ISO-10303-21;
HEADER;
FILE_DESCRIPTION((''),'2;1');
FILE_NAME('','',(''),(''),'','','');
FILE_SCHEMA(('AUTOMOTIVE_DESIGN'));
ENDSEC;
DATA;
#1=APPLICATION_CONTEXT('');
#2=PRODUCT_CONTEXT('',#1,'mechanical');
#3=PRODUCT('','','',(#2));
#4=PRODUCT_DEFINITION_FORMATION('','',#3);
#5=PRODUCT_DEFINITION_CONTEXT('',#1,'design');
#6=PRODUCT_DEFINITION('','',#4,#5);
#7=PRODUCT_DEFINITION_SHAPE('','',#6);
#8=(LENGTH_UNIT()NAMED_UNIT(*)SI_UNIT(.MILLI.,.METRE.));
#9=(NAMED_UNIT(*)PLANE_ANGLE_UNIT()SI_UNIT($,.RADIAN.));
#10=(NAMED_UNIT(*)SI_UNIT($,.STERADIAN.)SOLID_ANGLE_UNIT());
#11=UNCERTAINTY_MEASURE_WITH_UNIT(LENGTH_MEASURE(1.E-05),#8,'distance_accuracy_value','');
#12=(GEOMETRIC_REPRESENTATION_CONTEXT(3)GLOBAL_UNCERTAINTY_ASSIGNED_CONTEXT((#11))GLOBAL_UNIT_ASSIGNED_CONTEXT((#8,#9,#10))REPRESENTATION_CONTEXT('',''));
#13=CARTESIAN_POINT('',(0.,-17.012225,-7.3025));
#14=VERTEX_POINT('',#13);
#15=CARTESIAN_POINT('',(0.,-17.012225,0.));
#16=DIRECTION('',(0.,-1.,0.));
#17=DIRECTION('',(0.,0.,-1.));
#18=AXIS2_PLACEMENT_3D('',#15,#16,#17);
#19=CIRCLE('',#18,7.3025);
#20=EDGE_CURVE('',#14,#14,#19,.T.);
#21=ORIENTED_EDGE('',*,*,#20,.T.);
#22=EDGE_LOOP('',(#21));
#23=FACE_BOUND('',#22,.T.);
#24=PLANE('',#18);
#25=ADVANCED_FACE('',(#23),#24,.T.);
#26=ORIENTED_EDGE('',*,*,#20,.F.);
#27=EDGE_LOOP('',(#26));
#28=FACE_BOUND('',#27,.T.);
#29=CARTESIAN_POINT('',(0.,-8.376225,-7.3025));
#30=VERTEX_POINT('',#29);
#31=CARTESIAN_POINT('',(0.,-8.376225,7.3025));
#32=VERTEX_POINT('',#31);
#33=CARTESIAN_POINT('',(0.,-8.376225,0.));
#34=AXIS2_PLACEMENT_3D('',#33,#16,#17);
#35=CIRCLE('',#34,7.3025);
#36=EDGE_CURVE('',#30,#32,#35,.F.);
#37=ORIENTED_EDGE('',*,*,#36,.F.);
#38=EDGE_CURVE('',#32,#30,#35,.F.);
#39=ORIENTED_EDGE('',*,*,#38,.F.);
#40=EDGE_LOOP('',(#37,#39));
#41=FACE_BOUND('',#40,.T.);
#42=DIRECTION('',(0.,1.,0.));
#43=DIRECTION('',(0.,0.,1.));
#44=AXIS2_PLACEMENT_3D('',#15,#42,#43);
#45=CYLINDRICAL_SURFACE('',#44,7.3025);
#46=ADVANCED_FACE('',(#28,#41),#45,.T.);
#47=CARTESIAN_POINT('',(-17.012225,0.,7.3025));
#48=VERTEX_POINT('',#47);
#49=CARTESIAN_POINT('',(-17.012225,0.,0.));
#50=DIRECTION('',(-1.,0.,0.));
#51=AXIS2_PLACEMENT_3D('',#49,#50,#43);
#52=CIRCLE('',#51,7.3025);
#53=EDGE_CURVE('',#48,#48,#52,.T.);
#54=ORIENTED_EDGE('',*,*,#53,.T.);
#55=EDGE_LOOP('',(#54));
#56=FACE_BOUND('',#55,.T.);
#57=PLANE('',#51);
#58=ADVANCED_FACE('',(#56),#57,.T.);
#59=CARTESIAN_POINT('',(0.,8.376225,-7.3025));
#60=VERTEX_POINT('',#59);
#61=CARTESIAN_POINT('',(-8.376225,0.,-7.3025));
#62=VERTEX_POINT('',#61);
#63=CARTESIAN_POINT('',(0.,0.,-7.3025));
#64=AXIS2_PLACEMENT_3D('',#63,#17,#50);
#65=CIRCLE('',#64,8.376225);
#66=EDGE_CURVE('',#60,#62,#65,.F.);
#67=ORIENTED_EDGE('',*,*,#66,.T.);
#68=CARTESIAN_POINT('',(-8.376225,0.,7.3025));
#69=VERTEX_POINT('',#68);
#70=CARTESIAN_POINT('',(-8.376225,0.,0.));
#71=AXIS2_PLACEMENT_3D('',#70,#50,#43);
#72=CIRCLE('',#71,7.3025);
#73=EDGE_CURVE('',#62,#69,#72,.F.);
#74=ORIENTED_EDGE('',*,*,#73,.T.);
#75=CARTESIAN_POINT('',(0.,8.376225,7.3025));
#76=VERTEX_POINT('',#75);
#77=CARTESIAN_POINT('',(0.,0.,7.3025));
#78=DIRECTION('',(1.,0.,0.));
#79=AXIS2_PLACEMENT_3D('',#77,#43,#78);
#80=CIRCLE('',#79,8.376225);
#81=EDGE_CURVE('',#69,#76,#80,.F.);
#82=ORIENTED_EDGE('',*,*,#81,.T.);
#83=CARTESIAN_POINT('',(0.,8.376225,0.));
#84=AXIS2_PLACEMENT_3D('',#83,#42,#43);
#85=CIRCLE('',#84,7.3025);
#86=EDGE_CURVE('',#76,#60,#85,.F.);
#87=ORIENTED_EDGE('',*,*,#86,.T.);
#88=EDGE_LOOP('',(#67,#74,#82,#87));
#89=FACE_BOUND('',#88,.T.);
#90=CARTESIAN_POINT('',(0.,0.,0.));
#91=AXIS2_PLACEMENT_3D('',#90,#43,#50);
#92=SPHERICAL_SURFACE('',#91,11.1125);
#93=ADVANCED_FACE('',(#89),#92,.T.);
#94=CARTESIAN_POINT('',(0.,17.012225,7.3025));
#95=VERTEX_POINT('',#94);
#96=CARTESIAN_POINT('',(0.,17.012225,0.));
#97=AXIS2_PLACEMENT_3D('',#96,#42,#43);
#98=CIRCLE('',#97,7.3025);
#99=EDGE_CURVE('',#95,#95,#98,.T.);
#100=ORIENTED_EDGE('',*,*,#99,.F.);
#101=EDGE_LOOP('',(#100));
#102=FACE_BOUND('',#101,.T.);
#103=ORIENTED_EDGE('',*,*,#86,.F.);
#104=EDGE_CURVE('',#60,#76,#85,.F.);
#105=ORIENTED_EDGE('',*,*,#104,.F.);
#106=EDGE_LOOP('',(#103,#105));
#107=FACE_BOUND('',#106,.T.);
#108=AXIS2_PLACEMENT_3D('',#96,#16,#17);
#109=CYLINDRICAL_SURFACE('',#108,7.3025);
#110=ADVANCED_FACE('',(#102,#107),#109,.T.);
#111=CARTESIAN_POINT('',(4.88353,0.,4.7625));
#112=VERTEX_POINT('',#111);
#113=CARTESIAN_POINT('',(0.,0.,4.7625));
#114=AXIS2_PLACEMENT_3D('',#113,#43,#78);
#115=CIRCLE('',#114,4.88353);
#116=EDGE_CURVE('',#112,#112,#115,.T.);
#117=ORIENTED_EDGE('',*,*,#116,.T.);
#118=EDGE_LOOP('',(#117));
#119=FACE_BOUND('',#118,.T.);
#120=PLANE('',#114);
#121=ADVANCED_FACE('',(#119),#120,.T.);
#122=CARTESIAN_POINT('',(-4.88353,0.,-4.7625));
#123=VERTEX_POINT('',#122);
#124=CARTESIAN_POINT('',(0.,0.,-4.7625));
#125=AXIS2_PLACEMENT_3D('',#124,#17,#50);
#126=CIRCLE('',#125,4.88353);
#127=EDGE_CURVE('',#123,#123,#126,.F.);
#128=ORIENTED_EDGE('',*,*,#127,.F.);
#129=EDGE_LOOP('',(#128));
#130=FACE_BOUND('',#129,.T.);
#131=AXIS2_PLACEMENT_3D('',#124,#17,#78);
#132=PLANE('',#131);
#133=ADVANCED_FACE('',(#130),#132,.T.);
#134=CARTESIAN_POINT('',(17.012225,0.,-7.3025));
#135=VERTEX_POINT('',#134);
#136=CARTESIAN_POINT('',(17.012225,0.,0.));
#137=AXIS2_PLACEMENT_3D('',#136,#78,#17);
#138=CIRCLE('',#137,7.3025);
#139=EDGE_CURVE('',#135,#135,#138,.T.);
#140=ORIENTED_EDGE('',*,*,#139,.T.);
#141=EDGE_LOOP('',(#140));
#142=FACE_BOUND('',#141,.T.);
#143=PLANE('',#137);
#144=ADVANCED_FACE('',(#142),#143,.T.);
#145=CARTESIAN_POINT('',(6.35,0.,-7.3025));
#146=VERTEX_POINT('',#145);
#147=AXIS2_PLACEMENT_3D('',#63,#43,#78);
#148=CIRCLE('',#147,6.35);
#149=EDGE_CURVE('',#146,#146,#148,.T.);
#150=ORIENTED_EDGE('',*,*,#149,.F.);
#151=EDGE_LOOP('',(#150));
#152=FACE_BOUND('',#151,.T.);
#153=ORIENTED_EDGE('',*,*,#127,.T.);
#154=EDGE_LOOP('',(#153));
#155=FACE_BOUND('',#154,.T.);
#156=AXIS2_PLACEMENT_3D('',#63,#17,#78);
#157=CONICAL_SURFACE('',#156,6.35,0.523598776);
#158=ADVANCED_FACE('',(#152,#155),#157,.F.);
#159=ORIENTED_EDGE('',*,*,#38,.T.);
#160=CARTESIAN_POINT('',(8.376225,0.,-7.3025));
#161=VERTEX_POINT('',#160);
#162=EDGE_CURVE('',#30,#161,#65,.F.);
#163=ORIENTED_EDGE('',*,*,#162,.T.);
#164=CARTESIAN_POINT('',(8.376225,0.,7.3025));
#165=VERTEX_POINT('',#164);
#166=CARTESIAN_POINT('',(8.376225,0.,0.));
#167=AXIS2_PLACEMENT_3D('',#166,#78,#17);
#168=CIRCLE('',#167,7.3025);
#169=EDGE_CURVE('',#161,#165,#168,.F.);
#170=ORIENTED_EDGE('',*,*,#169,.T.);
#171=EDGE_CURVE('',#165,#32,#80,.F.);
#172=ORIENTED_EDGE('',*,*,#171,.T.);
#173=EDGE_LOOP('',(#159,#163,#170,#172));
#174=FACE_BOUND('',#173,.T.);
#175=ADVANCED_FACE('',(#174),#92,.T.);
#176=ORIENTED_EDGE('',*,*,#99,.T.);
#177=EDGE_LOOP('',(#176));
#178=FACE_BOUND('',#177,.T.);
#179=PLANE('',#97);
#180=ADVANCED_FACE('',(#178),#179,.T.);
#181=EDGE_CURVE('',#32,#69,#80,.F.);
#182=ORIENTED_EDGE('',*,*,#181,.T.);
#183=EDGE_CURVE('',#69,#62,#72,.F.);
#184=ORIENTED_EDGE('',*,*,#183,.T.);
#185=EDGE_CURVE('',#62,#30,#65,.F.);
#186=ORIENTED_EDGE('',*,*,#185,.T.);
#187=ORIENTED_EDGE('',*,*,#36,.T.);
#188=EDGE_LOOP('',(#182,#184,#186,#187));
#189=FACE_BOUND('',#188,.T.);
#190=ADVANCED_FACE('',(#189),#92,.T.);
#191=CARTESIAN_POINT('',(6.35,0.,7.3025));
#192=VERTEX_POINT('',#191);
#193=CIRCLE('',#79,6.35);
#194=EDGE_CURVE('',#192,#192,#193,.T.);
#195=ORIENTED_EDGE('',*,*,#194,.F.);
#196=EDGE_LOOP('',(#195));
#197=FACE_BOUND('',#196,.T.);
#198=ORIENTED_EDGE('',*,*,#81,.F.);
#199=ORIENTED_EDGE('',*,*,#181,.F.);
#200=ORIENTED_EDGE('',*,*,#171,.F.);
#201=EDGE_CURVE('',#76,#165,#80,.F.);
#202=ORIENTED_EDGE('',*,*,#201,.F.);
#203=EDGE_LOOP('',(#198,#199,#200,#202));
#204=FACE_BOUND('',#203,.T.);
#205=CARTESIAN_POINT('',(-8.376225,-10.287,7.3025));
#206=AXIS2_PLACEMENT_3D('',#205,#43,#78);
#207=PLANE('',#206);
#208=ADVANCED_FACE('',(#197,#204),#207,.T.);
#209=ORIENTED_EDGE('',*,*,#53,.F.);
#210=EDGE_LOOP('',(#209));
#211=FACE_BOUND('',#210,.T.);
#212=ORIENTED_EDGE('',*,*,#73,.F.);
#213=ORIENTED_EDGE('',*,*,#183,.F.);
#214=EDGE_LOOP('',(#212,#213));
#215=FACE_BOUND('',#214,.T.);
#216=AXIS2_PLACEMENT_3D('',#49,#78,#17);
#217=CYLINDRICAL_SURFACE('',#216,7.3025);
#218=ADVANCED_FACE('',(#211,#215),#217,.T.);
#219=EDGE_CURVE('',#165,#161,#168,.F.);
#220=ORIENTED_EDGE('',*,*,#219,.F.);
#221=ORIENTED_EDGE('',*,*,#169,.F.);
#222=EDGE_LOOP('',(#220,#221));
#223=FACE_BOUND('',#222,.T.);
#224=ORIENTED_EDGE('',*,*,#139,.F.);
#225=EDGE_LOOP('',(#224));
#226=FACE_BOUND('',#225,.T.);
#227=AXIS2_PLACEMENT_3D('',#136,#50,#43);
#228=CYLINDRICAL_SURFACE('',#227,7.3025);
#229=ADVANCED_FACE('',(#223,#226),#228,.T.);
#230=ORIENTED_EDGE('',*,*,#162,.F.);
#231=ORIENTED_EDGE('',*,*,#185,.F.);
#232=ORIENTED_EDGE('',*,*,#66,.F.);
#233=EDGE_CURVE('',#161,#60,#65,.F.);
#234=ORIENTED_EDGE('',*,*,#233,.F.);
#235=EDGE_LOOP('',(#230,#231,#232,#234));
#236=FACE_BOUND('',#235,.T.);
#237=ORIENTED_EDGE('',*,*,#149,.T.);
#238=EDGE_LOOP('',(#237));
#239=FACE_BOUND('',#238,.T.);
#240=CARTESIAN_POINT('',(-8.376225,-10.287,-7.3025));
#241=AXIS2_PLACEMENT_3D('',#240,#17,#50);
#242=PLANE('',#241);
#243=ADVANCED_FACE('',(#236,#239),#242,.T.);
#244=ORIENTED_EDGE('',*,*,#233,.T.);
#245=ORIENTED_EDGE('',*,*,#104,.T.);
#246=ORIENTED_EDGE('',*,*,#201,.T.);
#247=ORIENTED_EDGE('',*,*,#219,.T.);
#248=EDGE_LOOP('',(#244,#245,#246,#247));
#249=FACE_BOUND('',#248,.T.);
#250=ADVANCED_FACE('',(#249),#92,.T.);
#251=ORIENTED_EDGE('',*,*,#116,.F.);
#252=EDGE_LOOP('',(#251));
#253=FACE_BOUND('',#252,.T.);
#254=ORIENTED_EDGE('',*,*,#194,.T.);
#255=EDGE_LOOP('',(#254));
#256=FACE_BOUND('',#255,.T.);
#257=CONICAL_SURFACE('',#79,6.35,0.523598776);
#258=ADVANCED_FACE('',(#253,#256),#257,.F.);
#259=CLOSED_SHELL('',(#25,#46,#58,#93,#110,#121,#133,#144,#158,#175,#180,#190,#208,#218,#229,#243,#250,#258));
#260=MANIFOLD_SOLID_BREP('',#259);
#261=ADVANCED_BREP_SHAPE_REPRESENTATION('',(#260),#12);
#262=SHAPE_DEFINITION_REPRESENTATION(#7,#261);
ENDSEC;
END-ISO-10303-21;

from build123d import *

# Parameters (mm, degrees)
SKETCH2_OUTSIDE_W   = 31.923
SKETCH2_OUTSIDE_H   = 31.922
SKETCH2_OUTSIDE_W_2 = 16.752450568
SKETCH2_OUTSIDE_H_2 = 14.605
CUT_EXTRUDE1_DEPTH  = 10.287
SKETCH3_OUTSIDE_W   = 22.89
SKETCH3_OUTSIDE_H   = 30.51
SKETCH3_OUTSIDE_W_2 = 14.605
SKETCH3_OUTSIDE_H_2 = 16.752450568
CUT_EXTRUDE3_DEPTH  = 11.303
SKETCH6_R           = 6.35
CUT_EXTRUDE4_DEPTH  = 2.54
CUT_EXTRUDE4_TAPER  = 30
BOSS_EXTRUDE1_DEPTH = 8.636
BOSS_EXTRUDE2_DEPTH = 8.636
BOSS_EXTRUDE3_DEPTH = 8.636
BOSS_EXTRUDE4_DEPTH = 8.636


with BuildPart() as part:
    # Sketch1 → Revolve1 (revolve)
    with BuildSketch(Plane(origin=(0, 0, 0), x_dir=(1, 0, 0), z_dir=(0, 1, 0))):
        with BuildLine():
            Line((0, 11.1125), (0, -11.1125))
            ThreePointArc((0, -11.1125), (11.1125, 0), (0, 11.1125))
        make_face()
    revolve(axis=Axis((0, 0, 7.836824486), (0, 0, -1)))

    # Sketch2 outside → Cut-Extrude1 (cut, symmetric)
    with BuildSketch(Plane(origin=(0, 0, 0), x_dir=(1, 0, 0), z_dir=(0, 1, 0))):
        with Locations((-0.0005, 0)):
            Rectangle(SKETCH2_OUTSIDE_W, SKETCH2_OUTSIDE_H)
        Rectangle(SKETCH2_OUTSIDE_W_2, SKETCH2_OUTSIDE_H_2, mode=Mode.SUBTRACT)
    extrude(amount=CUT_EXTRUDE1_DEPTH, both=True, mode=Mode.SUBTRACT)

    # Sketch3 outside → Cut-Extrude3 (cut, symmetric)
    with BuildSketch(Plane(origin=(0, 0, 0), x_dir=(0, 0, -1), z_dir=(1, 0, 0))):
        Rectangle(SKETCH3_OUTSIDE_W, SKETCH3_OUTSIDE_H)
        Rectangle(SKETCH3_OUTSIDE_W_2, SKETCH3_OUTSIDE_H_2, mode=Mode.SUBTRACT)
    extrude(amount=CUT_EXTRUDE3_DEPTH, both=True, mode=Mode.SUBTRACT)

    # Sketch6 → Cut-Extrude4 (cut)
    with BuildSketch(Plane.XY.offset(7.3025)):
        Circle(SKETCH6_R)
    cut_extrude4 = extrude(amount=-CUT_EXTRUDE4_DEPTH, taper=CUT_EXTRUDE4_TAPER, mode=Mode.SUBTRACT)

    # Mirror1: Cut-Extrude4 across plane
    add(cut_extrude4.mirror(Plane.XY), mode=Mode.SUBTRACT)

    # Sketch7 → Boss-Extrude1 (add)
    with BuildSketch(Plane(origin=(8.376225284, 0, 0), x_dir=(0, 0, -1), z_dir=(1, 0, 0))):
        with BuildLine():
            ThreePointArc((7.3025, 0), (0, 7.3025), (-7.3025, 0))
            ThreePointArc((-7.3025, 0), (0, -7.3025), (7.3025, 0))
        make_face()
    extrude(amount=BOSS_EXTRUDE1_DEPTH)

    # Sketch11 → Boss-Extrude2 (add)
    with BuildSketch(Plane(origin=(0, 8.376225284, 0), x_dir=(1, 0, 0), z_dir=(0, 1, 0))):
        with BuildLine():
            ThreePointArc((0, -7.3025), (7.3025, 0), (0, 7.3025))
            ThreePointArc((0, 7.3025), (-7.3025, 0), (0, -7.3025))
        make_face()
    extrude(amount=BOSS_EXTRUDE2_DEPTH)

    # Sketch12 → Boss-Extrude3 (add)
    with BuildSketch(Plane.ZY.offset(8.376225284)):
        with BuildLine():
            ThreePointArc((7.3025, 0), (0, 7.3025), (-7.3025, 0))
            ThreePointArc((-7.3025, 0), (0, -7.3025), (7.3025, 0))
        make_face()
    extrude(amount=BOSS_EXTRUDE3_DEPTH)

    # Sketch13 → Boss-Extrude4 (add)
    with BuildSketch(Plane.XZ.offset(8.376225284)):
        with BuildLine():
            ThreePointArc((0, -7.3025), (7.3025, 0), (0, 7.3025))
            ThreePointArc((0, 7.3025), (-7.3025, 0), (0, -7.3025))
        make_face()
    extrude(amount=BOSS_EXTRUDE4_DEPTH)


solid = part.part
